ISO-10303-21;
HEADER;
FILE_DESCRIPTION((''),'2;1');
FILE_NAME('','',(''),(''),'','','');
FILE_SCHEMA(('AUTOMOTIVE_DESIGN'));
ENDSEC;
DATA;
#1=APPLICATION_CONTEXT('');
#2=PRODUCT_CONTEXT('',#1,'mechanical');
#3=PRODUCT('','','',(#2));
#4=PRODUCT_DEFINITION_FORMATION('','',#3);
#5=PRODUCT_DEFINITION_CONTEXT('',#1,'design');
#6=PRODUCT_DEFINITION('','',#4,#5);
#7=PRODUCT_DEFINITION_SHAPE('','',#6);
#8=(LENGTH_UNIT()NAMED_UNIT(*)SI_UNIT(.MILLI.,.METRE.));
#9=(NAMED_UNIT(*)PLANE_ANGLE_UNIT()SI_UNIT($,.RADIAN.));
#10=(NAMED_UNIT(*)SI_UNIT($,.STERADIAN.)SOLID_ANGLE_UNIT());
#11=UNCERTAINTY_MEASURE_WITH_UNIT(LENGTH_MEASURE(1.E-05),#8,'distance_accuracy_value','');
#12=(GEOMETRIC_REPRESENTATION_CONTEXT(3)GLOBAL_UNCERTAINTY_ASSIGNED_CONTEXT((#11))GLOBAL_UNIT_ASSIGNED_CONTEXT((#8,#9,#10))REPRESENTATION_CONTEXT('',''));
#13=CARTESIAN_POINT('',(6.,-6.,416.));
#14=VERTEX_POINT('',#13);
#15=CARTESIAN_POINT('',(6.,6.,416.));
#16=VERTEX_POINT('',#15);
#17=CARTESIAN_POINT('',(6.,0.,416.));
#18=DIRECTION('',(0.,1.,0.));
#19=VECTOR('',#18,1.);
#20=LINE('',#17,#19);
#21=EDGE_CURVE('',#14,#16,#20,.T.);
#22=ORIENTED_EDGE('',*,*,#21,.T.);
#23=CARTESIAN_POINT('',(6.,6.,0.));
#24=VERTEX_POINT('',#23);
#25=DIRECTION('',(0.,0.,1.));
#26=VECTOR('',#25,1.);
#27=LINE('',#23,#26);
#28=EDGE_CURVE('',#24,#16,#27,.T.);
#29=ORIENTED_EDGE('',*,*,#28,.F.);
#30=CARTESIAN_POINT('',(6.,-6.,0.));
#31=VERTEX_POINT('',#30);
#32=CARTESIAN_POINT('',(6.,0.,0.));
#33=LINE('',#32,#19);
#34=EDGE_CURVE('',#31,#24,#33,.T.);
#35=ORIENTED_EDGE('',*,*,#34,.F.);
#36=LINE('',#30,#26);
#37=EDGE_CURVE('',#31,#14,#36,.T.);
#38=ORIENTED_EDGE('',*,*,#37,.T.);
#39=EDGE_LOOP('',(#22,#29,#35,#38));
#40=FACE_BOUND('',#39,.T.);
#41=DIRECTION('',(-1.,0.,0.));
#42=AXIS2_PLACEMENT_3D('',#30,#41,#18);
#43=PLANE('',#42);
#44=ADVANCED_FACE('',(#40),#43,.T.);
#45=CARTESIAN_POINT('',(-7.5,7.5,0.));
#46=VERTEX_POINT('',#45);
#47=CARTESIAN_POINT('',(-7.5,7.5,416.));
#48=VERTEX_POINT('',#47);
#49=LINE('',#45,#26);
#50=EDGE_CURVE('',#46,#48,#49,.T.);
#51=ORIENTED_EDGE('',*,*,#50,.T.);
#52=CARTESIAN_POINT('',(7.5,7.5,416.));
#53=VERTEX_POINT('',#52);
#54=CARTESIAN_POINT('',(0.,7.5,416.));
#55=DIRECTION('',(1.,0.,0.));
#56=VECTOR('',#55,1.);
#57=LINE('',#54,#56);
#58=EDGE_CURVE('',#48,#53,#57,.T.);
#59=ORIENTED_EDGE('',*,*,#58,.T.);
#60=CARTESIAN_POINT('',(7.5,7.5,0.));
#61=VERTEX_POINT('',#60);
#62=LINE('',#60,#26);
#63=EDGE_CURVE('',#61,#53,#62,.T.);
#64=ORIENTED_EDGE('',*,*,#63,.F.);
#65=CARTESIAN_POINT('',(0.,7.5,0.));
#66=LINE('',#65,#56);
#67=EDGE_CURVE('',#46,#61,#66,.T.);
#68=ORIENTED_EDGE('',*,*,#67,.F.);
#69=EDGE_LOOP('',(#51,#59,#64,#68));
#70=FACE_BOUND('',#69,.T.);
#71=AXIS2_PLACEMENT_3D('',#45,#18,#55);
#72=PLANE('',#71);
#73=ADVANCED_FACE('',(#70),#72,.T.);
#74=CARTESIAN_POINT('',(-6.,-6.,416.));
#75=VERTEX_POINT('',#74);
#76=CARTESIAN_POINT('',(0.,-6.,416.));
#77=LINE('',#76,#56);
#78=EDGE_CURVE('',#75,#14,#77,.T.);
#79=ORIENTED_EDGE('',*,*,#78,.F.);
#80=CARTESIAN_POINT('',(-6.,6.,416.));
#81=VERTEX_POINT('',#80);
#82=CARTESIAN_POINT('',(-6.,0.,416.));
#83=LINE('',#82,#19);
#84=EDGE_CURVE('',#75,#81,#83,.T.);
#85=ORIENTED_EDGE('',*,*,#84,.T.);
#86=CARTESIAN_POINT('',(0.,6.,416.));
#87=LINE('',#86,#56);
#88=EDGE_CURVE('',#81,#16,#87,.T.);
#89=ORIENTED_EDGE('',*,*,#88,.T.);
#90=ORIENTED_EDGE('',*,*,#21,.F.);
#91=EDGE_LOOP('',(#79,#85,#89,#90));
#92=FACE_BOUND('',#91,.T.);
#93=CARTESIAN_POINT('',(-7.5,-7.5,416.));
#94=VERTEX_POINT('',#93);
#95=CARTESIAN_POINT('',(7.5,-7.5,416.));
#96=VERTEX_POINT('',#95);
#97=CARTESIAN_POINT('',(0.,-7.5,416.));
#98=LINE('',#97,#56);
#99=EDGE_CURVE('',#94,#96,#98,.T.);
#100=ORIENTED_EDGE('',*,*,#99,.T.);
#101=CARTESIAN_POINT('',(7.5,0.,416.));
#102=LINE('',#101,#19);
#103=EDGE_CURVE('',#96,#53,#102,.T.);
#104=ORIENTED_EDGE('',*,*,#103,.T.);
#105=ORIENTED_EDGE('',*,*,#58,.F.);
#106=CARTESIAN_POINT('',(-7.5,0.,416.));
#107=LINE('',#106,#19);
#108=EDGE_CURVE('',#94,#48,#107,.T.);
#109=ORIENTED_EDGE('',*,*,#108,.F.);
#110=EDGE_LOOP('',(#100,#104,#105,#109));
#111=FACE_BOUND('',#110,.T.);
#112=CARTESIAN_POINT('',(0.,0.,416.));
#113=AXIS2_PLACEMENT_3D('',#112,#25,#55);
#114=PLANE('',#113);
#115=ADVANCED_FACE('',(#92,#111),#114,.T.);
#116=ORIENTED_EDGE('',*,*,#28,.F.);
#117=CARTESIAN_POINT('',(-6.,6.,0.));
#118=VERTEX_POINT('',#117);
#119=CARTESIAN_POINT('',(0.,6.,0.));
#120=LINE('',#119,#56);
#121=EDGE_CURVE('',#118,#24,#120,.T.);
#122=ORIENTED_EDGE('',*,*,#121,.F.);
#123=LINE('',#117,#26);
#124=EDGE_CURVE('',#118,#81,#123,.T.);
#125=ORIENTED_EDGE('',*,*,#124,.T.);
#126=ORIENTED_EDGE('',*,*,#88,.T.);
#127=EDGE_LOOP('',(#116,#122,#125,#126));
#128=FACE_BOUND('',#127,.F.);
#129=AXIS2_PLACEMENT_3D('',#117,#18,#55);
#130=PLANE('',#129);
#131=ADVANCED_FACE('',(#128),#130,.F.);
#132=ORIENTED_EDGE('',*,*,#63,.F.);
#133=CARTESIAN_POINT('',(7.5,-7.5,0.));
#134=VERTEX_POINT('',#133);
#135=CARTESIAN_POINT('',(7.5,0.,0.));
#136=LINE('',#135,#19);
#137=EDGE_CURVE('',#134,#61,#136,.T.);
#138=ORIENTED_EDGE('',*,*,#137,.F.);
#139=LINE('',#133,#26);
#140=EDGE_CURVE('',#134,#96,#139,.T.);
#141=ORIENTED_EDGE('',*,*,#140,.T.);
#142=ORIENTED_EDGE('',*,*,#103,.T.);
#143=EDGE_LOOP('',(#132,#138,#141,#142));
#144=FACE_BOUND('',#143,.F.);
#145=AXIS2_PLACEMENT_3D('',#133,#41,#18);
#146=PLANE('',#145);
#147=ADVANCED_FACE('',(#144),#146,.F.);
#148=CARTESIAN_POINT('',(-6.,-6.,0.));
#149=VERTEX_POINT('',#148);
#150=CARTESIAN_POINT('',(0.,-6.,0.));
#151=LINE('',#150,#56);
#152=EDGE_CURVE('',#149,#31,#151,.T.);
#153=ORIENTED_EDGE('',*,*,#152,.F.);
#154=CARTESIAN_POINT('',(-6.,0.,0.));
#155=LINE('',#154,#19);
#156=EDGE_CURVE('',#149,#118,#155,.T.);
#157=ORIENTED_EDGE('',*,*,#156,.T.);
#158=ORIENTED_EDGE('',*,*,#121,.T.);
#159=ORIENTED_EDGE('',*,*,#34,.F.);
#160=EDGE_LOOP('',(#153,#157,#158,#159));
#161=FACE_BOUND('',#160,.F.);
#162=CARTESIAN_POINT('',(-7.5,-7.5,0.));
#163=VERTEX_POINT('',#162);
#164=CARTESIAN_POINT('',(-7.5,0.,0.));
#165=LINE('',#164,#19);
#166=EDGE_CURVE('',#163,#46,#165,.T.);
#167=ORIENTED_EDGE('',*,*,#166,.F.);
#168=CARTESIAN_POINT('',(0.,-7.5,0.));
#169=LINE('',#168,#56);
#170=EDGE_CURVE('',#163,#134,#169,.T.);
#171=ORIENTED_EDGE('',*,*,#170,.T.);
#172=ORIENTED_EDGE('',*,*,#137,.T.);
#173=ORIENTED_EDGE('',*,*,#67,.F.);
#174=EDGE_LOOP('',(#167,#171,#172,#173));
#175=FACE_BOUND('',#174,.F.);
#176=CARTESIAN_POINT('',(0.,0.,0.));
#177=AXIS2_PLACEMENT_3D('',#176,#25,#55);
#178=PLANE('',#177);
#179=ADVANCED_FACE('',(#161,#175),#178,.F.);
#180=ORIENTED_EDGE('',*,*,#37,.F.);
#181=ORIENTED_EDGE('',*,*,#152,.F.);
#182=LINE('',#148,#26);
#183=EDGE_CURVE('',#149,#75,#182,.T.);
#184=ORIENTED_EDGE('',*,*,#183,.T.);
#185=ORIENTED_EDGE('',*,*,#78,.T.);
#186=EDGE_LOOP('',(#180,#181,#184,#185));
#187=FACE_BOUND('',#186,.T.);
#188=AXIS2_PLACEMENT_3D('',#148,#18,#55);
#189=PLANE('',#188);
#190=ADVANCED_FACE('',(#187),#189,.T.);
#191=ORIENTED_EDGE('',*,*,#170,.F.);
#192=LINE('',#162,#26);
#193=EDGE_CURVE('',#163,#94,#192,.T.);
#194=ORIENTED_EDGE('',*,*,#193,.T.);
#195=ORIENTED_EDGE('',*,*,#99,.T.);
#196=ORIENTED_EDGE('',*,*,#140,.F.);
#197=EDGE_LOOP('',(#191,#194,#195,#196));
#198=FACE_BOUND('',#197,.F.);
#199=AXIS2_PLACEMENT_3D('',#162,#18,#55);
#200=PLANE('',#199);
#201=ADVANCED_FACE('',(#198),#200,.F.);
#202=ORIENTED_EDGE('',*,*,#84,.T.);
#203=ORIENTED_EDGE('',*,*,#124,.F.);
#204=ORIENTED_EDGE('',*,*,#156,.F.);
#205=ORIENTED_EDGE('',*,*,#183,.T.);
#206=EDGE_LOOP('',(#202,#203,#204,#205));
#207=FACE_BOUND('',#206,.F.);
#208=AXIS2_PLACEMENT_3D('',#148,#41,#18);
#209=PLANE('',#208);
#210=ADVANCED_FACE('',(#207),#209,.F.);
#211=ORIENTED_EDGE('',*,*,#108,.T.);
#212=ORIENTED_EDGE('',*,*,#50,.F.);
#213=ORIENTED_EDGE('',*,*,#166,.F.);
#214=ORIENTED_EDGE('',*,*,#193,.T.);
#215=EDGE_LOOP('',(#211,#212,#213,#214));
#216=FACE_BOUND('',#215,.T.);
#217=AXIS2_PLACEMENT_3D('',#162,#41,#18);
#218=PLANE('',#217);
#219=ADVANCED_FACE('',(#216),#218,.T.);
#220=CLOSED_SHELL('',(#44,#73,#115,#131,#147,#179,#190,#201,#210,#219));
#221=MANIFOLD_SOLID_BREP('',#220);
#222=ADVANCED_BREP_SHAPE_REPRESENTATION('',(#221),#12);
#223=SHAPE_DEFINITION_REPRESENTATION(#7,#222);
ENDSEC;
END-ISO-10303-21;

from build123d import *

# Parameters (mm, degrees)
SKETCH_W   = 15
SKETCH_H   = 15
SKETCH_W_2 = 12
SKETCH_H_2 = 12
PAD_DEPTH  = 416


with BuildPart() as part:
    # Sketch → Pad (new body)
    with BuildSketch(Plane.XY):
        Rectangle(SKETCH_W, SKETCH_H)
        Rectangle(SKETCH_W_2, SKETCH_H_2, mode=Mode.SUBTRACT)
    extrude(amount=PAD_DEPTH)


solid = part.part
